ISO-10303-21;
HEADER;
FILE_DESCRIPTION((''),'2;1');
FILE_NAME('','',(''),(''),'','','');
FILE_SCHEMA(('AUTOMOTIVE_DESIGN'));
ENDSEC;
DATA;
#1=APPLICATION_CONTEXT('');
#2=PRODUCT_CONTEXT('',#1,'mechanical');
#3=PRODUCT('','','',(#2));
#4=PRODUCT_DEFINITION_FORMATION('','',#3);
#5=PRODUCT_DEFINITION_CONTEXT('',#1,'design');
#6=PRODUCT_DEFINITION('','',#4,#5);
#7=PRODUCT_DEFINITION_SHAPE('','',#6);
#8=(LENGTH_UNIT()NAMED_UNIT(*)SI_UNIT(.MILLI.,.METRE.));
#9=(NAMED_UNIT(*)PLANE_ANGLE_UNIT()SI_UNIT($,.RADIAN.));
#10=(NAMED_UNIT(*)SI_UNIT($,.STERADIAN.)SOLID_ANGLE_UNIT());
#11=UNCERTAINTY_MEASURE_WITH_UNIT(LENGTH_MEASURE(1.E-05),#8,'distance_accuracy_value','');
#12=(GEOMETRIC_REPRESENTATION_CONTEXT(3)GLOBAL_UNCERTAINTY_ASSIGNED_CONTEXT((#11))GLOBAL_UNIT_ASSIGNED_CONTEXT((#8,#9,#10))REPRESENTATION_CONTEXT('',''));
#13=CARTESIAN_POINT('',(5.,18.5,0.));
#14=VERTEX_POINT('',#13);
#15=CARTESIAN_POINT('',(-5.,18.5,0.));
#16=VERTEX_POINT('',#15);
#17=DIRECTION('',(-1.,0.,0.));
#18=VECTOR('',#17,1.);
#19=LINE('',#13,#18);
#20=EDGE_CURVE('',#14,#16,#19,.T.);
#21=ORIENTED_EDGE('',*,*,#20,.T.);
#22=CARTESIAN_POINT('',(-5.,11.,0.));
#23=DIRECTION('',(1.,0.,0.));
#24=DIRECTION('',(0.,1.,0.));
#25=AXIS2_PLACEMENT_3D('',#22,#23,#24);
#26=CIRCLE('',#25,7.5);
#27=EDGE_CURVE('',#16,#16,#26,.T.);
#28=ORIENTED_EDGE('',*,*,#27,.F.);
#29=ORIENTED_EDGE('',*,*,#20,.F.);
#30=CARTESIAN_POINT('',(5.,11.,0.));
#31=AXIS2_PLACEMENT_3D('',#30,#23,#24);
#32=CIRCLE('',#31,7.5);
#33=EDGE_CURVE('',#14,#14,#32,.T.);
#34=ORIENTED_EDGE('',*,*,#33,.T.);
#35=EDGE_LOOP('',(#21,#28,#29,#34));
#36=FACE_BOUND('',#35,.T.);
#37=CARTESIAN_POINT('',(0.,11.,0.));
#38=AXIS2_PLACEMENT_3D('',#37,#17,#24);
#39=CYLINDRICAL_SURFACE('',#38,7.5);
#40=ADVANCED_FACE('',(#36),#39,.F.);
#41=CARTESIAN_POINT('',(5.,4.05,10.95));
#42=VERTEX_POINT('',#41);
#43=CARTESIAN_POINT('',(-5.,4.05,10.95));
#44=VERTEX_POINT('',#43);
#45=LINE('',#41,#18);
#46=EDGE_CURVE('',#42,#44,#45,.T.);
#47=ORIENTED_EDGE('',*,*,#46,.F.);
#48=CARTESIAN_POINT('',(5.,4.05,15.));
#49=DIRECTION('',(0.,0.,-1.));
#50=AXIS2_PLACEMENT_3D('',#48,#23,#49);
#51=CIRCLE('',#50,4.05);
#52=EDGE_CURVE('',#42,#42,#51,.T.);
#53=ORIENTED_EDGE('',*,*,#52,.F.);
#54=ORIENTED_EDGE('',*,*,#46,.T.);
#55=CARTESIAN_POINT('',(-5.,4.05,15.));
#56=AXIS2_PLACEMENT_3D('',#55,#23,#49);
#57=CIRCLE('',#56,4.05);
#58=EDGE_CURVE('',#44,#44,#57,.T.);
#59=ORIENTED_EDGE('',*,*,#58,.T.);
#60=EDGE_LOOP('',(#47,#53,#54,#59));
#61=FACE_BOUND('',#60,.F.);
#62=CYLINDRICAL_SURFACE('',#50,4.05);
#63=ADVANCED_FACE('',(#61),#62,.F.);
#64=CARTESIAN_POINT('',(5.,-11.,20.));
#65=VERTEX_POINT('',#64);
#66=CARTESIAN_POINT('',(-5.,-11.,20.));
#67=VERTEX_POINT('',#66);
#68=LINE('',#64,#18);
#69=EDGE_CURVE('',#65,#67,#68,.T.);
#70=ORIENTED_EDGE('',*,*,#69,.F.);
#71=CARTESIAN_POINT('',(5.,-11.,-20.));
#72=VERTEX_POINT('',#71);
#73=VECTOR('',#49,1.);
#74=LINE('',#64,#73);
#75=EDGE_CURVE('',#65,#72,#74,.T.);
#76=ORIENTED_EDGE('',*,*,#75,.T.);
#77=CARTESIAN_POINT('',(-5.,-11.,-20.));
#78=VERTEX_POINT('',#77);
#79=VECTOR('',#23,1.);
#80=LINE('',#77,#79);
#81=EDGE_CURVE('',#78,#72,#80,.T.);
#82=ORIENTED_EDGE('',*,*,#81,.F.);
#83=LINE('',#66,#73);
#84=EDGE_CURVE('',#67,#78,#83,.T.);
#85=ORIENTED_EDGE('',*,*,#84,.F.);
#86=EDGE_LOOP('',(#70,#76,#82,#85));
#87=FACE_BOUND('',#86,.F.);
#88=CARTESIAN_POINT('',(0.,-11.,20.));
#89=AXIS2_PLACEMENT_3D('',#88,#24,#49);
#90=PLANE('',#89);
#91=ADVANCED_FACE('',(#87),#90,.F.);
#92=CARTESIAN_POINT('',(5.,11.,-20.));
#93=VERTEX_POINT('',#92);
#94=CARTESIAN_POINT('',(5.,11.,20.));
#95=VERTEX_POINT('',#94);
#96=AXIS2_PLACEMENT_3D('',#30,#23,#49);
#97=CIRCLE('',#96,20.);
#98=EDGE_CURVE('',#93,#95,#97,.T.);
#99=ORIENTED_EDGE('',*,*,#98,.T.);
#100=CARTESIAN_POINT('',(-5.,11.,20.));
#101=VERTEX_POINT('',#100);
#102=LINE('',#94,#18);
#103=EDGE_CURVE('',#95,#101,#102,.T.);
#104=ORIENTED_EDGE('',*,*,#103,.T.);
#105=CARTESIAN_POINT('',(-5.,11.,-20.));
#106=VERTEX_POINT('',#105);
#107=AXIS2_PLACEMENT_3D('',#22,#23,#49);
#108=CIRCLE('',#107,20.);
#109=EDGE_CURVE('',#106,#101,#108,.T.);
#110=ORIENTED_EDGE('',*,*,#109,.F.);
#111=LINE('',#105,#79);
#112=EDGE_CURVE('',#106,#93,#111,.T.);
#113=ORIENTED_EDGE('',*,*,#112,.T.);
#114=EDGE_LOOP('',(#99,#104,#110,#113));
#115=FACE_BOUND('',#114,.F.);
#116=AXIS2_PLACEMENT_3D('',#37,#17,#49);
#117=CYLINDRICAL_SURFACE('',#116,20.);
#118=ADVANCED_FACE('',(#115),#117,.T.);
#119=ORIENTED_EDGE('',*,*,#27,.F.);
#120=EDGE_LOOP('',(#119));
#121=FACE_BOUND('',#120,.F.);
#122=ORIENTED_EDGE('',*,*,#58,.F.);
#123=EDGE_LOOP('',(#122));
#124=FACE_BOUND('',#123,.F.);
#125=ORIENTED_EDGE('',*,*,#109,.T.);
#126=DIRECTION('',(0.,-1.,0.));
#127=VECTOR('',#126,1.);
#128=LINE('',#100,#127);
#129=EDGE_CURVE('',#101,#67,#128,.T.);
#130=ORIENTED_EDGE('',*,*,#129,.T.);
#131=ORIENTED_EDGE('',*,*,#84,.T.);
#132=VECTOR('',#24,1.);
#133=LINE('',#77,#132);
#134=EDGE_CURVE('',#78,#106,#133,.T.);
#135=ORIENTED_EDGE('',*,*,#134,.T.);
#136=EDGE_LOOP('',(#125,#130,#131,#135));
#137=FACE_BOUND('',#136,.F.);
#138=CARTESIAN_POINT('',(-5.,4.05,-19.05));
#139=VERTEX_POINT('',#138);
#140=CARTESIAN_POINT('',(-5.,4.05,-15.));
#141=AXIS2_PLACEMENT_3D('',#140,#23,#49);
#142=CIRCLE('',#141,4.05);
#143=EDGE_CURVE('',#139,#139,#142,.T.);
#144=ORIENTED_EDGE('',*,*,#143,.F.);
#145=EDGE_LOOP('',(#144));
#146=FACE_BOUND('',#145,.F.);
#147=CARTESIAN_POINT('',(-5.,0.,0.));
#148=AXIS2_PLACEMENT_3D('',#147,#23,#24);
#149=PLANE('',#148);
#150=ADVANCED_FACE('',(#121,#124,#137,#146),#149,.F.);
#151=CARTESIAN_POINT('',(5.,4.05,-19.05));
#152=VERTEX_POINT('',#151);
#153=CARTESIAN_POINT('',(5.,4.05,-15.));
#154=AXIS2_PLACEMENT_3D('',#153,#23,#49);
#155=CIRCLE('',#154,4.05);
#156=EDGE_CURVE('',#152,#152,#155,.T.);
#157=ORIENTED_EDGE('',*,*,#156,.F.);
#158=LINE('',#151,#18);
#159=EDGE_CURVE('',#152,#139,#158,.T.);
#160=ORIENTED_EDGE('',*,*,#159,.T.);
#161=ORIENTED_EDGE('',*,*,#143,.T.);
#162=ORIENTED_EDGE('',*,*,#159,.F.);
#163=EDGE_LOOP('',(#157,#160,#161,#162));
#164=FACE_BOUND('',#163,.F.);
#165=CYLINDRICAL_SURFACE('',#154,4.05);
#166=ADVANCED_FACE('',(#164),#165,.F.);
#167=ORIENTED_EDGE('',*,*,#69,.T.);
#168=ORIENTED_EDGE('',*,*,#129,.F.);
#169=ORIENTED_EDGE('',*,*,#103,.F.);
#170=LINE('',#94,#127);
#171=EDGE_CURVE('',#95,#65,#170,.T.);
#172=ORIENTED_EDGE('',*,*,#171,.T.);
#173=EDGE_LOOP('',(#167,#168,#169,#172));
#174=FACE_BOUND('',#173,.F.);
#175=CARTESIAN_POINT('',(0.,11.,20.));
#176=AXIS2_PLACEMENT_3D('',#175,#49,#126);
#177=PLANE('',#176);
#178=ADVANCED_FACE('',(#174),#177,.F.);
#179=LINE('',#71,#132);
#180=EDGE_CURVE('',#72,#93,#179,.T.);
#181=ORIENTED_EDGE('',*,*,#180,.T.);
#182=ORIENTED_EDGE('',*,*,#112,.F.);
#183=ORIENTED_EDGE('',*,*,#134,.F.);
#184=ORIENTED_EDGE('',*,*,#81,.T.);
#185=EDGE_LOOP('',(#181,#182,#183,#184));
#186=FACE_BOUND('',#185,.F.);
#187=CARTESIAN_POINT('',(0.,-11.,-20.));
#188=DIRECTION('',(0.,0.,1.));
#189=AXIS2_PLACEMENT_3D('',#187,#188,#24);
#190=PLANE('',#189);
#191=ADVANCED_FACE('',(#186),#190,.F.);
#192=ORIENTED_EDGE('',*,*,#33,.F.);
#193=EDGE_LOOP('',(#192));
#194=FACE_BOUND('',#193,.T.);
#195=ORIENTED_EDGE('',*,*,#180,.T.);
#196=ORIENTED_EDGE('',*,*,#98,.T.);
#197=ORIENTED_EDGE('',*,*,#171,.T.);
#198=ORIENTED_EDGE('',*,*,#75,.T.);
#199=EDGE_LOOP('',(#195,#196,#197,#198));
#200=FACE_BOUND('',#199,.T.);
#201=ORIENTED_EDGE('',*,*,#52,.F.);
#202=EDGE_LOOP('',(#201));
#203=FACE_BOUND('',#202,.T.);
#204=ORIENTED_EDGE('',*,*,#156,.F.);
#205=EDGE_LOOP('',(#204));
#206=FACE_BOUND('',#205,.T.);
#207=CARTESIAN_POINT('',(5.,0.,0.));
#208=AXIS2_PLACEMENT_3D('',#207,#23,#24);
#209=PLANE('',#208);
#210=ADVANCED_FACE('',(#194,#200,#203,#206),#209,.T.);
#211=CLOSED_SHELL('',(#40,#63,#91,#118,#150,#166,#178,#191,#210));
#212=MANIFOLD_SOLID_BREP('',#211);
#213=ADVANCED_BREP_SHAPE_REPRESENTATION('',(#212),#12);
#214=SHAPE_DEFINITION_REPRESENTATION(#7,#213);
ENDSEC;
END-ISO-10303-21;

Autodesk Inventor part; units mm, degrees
ref_plane "YZ Plane" through (0, 0, 0) normal (1, 0, 0) x (0, 1, 0)
ref_plane "XZ Plane" through (0, 0, 0) normal (0, 1, 0) x (-1, 0, 0)
ref_plane "XY Plane" through (0, 0, 0) normal (0, 0, 1) x (1, 0, 0)
sketch "Sketch1" plane through (0, 0, 0) normal (1, 0, 0) x (0, 1, 0)
  line L0 (-11, -20) -> (11, -20)
  arc A0 (11, -20) -> (11, 20) centre (11, 0) ccw
  line L1 (11, 20) -> (-11, 20)
  line L2 (-11, 20) -> (-11, -20)
  circle A1 centre (11, 0) radius 7.5
  point P0 (0, 0)
  point P1 (0, -20)
  dimension "d0" = 22
  dimension "d1" = 22
  dimension "d2" = 40
  dimension "d3" = 15
extrude "Extrusion1" add sketch "Sketch1" along normal mid plane 10
sketch "Sketch2" plane through (5, 0, 0) normal (1, 0, 0) x (0, 0, -1)
  arc A0 (20, 11) -> (-20, 11) centre (0, 11) ccw construction
  line L0 (-20, 11) -> (-20, -11) construction
  line L1 (-20, -11) -> (20, -11) construction
  line L2 (20, -11) -> (20, 11) construction
  circle A1 centre (0, 11) radius 7.5 construction
  circle A2 centre (15, 4.05) radius 4.05
  line L3 (0, 11) -> (0, -11) construction
  line L4 (-20, -11) -> (20, -11) construction
  circle A3 centre (-15, 4.05) radius 4.05
  point P0 (0, 0)
  dimension "d6" = 15.05
  dimension "d7" = 8.1
  dimension "d8" = 5
extrude "Extrusion2" cut sketch "Sketch2" against normal through all
properties part number "arco_obj4"
